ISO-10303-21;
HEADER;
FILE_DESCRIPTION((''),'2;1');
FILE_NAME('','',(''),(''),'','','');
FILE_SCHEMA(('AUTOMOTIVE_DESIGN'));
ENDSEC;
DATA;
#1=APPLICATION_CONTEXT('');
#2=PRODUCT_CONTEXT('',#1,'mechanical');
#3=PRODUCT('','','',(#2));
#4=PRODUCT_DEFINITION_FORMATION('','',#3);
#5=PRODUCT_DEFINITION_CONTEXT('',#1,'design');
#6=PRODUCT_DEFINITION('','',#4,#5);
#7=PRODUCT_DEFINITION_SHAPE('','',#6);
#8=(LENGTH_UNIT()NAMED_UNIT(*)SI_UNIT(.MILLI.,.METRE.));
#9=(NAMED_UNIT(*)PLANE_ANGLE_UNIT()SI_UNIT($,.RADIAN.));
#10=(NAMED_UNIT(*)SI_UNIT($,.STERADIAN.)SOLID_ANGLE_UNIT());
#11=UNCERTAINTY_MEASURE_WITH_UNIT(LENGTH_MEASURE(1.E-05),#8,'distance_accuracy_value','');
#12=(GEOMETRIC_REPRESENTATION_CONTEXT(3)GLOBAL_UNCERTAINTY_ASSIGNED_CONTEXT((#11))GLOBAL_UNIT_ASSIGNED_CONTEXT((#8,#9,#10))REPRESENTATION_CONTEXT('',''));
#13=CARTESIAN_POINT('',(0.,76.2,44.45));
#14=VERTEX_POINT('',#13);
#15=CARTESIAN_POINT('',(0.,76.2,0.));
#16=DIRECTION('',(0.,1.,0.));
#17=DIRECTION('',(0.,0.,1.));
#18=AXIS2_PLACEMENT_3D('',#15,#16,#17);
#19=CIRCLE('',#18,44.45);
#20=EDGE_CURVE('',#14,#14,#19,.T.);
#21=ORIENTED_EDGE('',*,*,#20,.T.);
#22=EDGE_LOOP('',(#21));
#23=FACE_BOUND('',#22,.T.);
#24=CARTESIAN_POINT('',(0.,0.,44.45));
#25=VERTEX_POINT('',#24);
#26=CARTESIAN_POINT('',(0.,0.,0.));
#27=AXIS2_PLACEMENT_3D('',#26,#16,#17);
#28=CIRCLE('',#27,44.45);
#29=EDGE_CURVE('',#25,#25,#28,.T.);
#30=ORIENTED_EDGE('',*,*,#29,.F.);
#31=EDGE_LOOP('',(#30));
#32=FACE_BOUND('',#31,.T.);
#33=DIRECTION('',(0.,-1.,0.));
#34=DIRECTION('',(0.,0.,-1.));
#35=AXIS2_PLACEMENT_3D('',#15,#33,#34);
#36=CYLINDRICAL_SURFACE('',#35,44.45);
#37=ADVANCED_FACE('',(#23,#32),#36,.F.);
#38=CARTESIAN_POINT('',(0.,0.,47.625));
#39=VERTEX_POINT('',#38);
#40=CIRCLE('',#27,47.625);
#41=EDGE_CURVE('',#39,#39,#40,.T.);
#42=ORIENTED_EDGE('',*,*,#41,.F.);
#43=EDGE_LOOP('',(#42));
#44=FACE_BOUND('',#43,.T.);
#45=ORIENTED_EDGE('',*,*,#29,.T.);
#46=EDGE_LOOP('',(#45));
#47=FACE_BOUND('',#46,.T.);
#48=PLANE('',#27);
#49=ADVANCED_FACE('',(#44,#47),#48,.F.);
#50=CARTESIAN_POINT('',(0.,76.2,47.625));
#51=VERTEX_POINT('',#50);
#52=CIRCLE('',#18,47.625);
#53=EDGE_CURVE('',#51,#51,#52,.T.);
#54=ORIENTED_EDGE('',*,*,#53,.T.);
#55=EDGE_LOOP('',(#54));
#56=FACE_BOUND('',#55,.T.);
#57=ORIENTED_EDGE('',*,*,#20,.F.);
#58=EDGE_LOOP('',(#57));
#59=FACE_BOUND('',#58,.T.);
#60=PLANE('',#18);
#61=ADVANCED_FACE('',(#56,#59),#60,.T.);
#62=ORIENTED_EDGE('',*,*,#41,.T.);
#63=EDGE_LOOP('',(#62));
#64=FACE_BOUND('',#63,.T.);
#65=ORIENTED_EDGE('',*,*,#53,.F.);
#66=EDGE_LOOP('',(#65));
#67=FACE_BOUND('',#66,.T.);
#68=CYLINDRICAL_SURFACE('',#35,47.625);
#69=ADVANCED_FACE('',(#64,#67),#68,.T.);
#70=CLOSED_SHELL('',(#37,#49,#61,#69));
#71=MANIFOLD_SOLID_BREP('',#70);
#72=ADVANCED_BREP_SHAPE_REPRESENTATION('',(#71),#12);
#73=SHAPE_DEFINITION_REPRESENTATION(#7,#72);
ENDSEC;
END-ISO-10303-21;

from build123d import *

# Parameters (mm, degrees)
SKETCH1_R           = 47.625
SKETCH1_R_2         = 44.45
BOSS_EXTRUDE1_DEPTH = 76.2


with BuildPart() as part:
    # Sketch1 → Boss-Extrude1 (new body)
    with BuildSketch(Plane(origin=(0, 0, 0), x_dir=(1, 0, 0), z_dir=(0, 1, 0))):
        Circle(SKETCH1_R)
        Circle(SKETCH1_R_2, mode=Mode.SUBTRACT)
    extrude(amount=BOSS_EXTRUDE1_DEPTH)


solid = part.part
